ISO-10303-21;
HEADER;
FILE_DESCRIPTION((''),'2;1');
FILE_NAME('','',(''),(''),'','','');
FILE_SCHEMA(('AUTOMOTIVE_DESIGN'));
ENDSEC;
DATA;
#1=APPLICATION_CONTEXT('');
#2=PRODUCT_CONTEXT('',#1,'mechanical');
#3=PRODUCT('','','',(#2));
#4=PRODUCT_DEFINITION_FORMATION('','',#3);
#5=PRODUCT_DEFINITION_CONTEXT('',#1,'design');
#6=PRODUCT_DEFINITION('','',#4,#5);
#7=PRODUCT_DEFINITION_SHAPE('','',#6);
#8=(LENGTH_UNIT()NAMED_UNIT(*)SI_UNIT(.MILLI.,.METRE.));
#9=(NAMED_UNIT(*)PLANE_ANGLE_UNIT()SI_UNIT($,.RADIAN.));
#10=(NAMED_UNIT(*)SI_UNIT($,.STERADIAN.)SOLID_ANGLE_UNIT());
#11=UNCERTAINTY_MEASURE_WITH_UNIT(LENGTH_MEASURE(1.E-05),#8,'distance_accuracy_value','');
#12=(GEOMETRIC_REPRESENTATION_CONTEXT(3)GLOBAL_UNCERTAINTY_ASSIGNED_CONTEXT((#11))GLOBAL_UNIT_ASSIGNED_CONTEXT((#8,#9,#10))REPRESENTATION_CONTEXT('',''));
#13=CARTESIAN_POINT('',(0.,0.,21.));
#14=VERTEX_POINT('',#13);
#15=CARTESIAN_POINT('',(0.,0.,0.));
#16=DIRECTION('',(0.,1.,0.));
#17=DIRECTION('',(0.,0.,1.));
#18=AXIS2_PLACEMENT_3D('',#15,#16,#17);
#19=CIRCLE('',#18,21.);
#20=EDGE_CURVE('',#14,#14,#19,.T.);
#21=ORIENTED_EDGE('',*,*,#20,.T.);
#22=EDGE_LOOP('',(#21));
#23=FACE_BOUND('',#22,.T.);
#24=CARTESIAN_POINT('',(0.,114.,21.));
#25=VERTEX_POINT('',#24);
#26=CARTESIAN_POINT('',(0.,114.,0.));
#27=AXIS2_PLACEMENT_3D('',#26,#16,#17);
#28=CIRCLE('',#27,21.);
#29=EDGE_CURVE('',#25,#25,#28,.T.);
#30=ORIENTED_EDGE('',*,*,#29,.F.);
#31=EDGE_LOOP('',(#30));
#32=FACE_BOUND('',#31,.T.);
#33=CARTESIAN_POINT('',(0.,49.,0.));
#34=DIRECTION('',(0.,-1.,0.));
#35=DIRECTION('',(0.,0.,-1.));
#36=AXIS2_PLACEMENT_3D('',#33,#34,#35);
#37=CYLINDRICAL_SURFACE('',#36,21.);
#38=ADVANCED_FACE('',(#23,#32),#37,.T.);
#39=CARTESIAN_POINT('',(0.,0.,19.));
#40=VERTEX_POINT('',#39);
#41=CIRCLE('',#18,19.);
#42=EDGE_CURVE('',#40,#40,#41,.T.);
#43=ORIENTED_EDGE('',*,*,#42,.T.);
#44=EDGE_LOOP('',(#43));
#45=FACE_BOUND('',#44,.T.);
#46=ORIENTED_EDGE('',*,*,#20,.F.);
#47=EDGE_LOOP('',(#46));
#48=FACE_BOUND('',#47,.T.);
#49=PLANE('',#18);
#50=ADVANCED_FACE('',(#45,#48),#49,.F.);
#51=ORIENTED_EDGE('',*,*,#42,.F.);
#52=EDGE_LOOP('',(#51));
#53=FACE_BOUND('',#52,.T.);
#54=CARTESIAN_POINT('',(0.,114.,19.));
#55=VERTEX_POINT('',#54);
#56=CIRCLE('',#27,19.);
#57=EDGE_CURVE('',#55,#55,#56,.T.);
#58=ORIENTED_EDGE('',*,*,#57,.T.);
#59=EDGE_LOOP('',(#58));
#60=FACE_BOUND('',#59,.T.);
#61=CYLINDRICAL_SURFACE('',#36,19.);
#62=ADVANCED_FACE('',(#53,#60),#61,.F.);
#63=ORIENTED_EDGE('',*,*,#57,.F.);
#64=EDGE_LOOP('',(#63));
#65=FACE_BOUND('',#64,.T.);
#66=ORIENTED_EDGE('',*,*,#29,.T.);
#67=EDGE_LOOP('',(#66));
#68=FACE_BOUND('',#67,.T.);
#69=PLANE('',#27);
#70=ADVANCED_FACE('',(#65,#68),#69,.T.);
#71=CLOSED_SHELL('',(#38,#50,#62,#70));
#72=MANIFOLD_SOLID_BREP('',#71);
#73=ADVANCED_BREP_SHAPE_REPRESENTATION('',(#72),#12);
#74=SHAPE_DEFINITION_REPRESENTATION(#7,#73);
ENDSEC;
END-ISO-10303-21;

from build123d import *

# Parameters (mm, degrees)
SKETCH1_R           = 21
SKETCH1_R_2         = 19
BOSS_EXTRUDE1_DEPTH = 49
SKETCH1_2_R         = 21
SKETCH1_2_R_2       = 19
BOSS_EXTRUDE2_DEPTH = 114


with BuildPart() as part:
    # Sketch1 → Boss-Extrude1 (new body)
    with BuildSketch(Plane(origin=(0, 0, 0), x_dir=(1, 0, 0), z_dir=(0, 1, 0))):
        Circle(SKETCH1_R)
        Circle(SKETCH1_R_2, mode=Mode.SUBTRACT)
    extrude(amount=BOSS_EXTRUDE1_DEPTH)

    # Sketch1<2> → Boss-Extrude2 (add)
    with BuildSketch(Plane(origin=(0, 0, 0), x_dir=(1, 0, 0), z_dir=(0, 1, 0))):
        Circle(SKETCH1_2_R)
        Circle(SKETCH1_2_R_2, mode=Mode.SUBTRACT)
    extrude(amount=BOSS_EXTRUDE2_DEPTH)


solid = part.part
